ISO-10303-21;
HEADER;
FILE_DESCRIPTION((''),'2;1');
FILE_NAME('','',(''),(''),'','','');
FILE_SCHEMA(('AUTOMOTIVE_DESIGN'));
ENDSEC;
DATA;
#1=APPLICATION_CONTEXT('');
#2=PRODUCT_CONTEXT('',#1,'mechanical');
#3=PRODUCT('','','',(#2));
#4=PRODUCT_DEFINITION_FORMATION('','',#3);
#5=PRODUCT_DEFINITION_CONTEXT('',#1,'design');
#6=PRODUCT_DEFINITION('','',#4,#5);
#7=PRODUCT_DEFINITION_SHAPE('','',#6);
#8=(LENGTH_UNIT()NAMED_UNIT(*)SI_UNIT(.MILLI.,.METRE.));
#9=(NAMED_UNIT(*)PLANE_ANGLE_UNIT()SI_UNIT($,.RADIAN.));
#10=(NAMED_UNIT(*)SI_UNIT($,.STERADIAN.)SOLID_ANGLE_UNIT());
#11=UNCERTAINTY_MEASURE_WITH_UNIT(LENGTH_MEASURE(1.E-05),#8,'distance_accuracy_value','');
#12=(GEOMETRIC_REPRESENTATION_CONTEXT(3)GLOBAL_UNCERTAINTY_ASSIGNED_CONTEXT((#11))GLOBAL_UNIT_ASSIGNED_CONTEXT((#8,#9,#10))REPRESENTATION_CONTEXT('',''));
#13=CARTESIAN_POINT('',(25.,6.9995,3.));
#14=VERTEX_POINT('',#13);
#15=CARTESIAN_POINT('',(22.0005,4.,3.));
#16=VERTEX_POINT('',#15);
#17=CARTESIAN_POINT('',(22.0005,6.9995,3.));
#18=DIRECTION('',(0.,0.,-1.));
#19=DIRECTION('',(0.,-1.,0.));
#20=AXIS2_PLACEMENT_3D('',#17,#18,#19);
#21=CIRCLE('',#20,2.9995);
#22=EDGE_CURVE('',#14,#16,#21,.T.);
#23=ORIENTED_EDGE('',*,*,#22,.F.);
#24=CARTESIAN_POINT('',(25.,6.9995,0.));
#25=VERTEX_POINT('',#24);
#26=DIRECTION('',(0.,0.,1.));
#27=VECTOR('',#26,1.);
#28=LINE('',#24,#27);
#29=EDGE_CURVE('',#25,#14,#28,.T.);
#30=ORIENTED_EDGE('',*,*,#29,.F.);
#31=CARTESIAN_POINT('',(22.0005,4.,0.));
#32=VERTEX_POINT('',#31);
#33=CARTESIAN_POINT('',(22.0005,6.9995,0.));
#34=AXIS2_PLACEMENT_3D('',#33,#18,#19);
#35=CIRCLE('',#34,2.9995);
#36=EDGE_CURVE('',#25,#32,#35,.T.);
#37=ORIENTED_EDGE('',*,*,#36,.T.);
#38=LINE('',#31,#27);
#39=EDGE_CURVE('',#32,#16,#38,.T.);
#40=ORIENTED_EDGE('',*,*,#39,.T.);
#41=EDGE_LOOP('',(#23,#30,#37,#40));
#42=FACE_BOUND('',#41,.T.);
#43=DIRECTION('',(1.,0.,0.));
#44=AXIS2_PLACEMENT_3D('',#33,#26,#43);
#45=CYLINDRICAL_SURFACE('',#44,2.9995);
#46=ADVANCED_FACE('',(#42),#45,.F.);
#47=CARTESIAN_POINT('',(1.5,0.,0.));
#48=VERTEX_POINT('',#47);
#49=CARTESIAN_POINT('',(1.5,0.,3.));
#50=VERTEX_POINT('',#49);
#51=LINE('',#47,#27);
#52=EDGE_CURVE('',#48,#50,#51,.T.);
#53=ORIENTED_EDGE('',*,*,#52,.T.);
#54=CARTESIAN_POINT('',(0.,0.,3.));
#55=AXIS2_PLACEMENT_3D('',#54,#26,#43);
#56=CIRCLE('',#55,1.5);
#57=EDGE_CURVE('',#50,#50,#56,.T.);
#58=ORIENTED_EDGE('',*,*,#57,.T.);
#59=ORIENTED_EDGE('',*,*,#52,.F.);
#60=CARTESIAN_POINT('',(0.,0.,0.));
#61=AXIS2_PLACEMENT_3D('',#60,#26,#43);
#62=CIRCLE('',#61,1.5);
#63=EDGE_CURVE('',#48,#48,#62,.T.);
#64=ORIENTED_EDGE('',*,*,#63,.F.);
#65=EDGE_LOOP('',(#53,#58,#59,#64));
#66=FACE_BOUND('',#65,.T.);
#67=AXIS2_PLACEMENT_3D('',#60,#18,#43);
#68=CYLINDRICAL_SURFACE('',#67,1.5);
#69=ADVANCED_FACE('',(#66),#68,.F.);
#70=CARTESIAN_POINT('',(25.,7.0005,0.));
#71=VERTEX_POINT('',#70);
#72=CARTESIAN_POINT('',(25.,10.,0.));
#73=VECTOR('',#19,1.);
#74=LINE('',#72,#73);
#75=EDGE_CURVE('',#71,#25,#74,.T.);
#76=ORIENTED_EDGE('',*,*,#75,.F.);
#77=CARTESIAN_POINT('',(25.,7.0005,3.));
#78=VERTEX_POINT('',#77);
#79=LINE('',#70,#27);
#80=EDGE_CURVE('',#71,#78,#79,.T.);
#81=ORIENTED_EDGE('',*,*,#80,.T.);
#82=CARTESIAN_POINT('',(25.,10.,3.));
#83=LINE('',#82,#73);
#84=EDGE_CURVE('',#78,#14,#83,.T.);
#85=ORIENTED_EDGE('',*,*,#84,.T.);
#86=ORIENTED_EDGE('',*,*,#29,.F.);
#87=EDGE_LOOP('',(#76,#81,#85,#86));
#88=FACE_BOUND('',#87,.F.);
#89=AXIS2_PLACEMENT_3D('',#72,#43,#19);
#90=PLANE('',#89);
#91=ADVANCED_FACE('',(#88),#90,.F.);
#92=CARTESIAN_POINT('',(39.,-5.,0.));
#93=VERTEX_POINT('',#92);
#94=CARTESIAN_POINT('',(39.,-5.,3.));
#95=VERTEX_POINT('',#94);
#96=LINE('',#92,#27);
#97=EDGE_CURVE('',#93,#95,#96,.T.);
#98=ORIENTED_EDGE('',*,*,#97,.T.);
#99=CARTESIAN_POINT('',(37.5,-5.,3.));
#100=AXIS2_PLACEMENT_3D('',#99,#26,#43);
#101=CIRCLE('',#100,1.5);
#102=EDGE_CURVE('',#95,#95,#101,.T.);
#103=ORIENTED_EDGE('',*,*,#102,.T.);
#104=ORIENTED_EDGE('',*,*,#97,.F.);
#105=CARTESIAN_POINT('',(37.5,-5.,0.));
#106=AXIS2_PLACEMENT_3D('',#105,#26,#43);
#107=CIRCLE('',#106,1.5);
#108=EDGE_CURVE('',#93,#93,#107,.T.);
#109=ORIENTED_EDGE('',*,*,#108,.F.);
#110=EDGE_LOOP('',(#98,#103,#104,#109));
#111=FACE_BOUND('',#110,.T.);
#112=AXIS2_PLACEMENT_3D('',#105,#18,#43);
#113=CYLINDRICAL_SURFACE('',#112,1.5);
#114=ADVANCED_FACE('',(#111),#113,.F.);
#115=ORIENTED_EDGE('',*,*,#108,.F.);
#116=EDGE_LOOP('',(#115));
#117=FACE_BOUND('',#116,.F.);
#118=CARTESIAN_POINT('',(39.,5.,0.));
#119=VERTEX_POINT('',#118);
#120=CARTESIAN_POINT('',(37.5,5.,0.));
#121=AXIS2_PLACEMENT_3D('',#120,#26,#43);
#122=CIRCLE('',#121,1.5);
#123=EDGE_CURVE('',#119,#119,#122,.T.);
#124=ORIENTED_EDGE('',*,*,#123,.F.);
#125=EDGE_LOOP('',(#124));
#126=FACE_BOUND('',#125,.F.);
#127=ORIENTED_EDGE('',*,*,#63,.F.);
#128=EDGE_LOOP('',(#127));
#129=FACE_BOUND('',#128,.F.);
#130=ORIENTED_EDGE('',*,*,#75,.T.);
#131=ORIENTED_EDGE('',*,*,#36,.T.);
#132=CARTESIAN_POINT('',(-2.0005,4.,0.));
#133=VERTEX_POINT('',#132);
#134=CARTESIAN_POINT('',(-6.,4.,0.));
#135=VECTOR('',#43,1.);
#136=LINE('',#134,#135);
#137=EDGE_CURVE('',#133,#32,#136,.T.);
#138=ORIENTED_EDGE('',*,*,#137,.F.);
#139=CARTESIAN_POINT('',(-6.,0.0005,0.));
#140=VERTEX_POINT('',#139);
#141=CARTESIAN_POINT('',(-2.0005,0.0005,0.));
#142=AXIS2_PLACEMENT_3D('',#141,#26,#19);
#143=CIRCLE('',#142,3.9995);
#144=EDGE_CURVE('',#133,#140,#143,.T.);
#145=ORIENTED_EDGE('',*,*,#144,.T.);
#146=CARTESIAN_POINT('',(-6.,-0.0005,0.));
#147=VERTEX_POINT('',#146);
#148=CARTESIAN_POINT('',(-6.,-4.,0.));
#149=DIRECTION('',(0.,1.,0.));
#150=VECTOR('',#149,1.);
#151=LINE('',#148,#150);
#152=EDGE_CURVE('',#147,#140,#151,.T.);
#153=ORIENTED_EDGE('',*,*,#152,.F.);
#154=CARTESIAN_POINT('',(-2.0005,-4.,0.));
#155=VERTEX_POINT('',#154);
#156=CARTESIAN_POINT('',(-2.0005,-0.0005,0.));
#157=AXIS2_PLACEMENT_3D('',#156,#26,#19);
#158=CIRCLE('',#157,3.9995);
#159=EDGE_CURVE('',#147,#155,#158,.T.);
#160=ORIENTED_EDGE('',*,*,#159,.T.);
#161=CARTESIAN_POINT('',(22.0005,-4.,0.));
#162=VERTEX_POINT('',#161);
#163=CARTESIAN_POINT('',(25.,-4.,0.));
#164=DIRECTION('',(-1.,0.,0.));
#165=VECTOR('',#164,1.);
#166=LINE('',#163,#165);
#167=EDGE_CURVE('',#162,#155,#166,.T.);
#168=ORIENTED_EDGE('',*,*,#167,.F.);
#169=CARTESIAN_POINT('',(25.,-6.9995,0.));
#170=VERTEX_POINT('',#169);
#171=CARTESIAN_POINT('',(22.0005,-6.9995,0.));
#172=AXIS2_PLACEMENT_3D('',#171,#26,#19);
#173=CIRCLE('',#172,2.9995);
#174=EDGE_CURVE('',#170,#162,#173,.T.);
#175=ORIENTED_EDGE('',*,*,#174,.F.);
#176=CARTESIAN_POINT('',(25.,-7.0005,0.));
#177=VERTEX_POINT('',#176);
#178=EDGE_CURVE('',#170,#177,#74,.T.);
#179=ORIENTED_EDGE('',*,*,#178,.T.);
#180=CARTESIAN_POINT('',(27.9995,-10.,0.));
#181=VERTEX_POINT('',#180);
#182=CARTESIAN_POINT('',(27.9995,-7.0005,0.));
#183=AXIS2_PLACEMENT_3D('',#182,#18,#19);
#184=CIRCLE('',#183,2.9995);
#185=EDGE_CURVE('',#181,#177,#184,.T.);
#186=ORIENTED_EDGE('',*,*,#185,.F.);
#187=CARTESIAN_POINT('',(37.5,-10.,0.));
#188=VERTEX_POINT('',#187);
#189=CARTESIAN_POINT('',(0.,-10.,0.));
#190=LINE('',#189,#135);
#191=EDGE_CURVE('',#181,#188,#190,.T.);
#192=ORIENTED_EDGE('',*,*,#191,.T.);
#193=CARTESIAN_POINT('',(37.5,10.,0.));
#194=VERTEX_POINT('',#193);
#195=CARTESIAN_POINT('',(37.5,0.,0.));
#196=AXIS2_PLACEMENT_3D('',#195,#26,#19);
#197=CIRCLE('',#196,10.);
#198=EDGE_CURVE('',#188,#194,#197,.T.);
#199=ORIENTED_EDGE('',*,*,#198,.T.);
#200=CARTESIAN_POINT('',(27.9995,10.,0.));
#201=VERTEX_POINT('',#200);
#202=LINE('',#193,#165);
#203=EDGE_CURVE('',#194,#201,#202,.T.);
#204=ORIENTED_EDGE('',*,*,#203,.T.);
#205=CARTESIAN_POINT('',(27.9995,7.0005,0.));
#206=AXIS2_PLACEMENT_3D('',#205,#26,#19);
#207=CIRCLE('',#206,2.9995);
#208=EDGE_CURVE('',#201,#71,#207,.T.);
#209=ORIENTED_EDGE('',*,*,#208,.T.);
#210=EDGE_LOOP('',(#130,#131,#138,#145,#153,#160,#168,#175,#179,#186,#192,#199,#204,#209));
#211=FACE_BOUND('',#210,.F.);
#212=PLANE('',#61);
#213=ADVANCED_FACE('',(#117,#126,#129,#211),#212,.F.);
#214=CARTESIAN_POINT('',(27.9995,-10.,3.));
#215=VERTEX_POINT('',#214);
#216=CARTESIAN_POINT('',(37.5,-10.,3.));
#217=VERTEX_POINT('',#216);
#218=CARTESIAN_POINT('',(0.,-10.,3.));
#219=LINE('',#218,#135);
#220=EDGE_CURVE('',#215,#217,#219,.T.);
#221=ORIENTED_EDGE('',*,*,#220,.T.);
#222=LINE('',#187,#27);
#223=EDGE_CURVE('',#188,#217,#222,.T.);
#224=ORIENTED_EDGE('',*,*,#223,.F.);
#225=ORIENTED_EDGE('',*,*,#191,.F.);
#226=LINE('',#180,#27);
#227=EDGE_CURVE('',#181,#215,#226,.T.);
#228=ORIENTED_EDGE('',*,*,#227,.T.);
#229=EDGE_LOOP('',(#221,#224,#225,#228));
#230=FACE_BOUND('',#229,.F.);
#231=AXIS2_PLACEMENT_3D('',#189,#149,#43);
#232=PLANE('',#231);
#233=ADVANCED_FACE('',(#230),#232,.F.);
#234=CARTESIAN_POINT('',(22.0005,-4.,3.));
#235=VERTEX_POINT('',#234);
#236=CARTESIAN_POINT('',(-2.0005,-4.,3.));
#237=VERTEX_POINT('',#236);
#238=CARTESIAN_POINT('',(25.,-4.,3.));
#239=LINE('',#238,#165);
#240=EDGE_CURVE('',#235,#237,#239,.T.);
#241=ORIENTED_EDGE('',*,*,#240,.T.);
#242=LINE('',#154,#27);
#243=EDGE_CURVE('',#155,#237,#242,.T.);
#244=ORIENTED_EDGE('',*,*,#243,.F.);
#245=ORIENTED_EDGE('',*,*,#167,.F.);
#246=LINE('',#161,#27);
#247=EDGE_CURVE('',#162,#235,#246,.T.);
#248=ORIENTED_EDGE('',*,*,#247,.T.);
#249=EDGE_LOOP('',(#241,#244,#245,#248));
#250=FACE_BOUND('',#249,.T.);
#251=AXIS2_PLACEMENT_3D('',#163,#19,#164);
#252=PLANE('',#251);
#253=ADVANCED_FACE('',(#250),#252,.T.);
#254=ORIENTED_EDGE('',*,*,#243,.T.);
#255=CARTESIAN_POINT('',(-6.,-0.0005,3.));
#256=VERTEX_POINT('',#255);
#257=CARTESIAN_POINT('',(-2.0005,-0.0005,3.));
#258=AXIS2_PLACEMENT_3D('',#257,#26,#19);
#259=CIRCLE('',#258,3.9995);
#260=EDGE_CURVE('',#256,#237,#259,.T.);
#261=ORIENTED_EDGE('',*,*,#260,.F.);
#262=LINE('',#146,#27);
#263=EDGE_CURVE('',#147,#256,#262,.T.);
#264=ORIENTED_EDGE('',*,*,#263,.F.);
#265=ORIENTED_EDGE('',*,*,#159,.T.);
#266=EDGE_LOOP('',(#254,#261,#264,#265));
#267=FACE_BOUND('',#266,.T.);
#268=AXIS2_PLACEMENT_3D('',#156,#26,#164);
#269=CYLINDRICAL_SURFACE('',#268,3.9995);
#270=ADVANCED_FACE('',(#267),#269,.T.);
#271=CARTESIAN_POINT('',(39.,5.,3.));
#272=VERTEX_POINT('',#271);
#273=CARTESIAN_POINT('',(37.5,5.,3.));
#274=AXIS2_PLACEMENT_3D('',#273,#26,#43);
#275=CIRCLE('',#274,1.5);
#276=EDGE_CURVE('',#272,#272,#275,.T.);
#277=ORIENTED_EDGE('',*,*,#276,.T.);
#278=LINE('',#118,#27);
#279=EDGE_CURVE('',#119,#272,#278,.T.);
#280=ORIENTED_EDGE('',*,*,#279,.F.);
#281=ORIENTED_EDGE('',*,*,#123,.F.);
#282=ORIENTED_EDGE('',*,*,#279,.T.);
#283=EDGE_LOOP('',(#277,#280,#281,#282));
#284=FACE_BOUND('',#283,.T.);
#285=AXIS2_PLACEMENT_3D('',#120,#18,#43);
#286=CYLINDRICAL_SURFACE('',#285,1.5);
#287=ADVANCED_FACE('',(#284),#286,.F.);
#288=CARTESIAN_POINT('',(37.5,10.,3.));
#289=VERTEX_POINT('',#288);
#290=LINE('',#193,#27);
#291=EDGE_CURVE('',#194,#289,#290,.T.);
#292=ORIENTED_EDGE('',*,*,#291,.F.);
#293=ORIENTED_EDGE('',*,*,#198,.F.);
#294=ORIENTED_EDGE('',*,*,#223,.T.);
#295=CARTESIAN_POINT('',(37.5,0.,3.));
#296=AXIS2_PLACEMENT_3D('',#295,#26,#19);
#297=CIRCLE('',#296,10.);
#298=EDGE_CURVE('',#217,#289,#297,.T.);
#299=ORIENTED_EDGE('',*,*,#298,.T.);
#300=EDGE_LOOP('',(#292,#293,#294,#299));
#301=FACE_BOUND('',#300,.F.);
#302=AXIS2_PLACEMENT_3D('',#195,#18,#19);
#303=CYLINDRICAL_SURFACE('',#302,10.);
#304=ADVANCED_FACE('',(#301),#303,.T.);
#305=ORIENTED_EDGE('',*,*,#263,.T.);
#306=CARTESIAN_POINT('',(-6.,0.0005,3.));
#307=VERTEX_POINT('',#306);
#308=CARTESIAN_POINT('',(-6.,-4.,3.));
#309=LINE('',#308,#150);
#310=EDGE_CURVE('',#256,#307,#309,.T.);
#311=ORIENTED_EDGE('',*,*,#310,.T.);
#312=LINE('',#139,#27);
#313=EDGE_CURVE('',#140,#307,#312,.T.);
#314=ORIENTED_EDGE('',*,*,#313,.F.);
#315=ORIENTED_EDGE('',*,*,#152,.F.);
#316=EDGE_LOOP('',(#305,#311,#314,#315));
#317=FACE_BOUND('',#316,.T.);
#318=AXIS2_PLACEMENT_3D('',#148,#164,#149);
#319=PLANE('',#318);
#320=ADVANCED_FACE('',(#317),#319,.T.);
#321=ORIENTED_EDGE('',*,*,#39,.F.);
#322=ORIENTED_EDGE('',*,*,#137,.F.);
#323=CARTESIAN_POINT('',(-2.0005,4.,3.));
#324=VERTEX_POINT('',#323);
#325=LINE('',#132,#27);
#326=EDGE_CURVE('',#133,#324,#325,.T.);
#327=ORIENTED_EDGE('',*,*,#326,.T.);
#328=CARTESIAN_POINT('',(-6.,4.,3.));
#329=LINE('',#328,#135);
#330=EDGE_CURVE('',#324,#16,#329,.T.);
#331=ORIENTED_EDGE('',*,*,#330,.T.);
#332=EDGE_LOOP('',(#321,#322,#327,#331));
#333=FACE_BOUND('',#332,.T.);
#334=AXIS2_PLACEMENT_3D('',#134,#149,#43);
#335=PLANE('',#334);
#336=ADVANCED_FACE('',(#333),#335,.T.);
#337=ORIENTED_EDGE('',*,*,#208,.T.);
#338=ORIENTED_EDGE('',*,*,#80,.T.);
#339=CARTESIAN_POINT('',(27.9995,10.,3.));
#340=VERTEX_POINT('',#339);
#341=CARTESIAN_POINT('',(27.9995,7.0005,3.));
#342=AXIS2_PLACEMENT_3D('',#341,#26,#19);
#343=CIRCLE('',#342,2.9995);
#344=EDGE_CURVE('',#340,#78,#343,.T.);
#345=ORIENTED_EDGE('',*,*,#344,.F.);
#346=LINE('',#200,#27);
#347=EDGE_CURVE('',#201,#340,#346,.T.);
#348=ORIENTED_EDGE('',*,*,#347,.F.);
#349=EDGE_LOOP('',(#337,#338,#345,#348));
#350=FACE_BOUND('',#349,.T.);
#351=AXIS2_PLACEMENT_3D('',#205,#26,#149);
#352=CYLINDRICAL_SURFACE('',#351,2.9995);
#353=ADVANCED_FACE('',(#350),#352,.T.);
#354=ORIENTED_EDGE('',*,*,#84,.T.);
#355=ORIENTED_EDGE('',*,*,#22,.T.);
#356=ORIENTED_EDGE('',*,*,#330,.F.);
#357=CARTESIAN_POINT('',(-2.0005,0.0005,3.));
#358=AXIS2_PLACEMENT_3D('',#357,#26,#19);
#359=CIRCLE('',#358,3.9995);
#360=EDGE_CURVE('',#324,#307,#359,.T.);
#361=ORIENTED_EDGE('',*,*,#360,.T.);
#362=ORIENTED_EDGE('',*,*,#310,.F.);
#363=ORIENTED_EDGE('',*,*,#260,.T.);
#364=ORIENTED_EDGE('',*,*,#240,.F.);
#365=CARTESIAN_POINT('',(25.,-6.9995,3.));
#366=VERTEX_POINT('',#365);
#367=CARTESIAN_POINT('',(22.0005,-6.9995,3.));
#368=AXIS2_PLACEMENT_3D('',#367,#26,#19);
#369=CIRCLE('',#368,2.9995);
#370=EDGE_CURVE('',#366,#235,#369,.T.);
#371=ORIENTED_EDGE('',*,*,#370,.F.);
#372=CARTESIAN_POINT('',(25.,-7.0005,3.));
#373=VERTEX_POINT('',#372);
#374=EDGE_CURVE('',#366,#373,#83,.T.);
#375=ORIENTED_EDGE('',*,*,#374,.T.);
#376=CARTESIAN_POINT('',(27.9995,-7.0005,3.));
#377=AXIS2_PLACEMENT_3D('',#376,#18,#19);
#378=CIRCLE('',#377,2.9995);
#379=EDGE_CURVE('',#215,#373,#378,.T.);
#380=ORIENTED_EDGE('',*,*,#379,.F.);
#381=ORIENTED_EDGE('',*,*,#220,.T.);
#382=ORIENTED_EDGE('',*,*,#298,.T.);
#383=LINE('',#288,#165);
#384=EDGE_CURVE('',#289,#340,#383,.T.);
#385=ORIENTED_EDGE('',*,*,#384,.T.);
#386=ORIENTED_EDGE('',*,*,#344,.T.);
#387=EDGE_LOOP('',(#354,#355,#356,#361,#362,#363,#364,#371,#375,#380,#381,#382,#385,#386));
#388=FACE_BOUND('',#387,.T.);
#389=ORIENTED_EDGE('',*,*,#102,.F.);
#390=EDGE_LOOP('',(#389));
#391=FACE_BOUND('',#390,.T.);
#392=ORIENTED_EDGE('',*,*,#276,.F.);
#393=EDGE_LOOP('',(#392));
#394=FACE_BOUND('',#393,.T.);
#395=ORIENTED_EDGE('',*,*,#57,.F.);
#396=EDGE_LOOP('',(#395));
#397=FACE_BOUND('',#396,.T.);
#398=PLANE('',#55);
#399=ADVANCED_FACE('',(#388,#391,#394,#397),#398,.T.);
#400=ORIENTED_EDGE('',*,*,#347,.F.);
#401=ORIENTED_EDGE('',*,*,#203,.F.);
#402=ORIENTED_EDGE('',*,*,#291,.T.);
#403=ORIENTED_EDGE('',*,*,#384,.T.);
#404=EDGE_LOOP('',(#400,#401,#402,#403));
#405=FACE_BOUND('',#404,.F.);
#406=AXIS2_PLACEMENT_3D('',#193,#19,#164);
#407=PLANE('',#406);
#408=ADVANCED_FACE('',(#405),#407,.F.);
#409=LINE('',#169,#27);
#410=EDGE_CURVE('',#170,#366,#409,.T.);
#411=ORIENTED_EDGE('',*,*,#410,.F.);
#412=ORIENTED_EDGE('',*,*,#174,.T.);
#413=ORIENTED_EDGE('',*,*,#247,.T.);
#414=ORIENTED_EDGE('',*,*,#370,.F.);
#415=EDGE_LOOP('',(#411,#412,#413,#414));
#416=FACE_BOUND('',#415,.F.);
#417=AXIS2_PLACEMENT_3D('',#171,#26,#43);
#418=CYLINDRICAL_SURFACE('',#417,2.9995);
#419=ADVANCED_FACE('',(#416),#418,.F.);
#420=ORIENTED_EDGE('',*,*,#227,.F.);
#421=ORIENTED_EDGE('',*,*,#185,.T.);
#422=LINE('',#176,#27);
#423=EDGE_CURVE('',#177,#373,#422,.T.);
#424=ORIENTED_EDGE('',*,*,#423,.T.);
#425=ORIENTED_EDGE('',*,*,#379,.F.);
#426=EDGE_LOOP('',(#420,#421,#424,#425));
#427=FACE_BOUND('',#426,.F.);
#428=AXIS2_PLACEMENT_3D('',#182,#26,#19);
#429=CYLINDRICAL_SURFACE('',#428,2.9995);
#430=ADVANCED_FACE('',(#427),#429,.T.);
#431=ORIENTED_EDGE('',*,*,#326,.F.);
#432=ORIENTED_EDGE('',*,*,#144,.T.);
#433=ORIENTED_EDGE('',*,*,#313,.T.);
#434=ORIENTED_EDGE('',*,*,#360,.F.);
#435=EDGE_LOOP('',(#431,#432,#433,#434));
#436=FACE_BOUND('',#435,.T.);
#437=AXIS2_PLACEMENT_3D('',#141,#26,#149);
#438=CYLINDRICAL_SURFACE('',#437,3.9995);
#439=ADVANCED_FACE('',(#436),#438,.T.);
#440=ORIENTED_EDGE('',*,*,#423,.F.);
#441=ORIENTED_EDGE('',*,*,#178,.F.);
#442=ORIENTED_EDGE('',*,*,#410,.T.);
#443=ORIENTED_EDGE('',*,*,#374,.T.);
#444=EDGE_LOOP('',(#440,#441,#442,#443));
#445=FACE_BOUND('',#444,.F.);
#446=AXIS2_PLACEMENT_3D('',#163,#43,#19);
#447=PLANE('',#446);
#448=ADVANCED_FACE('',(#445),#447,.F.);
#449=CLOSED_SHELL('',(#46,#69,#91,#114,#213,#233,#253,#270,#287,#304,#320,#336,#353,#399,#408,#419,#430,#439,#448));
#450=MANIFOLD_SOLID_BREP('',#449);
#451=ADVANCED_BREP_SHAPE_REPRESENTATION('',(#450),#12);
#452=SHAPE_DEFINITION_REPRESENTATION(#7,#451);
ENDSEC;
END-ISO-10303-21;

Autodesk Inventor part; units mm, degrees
ref_plane "YZ Plane" through (0, 0, 0) normal (1, 0, 0) x (0, 1, 0)
ref_plane "XZ Plane" through (0, 0, 0) normal (0, 1, 0) x (-1, 0, 0)
ref_plane "XY Plane" through (0, 0, 0) normal (0, 0, 1) x (1, 0, 0)
sketch "Sketch1" plane through (0, 0, 0) normal (0, 0, 1) x (1, 0, 0)
  line L0 (0, 0) -> (37.5, 0) construction
  line L1 (0, -10) -> (37.5, -10)
  line L2 (37.5, 10) -> (0, 10)
  arc A0 (0, 10) -> (0, -10) centre (0, 0) ccw
  arc A1 (37.5, -10) -> (37.5, 10) centre (37.5, 0) ccw
  line L3 (0, 0) -> (37.5, 0) construction
  circle A2 centre (0, 0) radius 1.5
  circle A3 centre (37.5, -5) radius 1.5
  circle A4 centre (37.5, 5) radius 1.5
  point P0 (18.75, 0)
  dimension "d0" = 37.5
  dimension "d1" = 0
  dimension "d2" = 20
  dimension "d3" = 3
  dimension "d4" = 3
  dimension "d5" = 3
  dimension "d6" = 10
  dimension "d7" = 5
  dimension "d8" = 0
  dimension "d9" = 0
extrude "Extrusion1" add sketch "Sketch1" along normal blind 3
sketch "Sketch2" plane through (0, 0, 0) normal (0, 0, -1) x (-1, 0, 0)
  line L0 (6, 4) -> (-25, 4)
  line L1 (-25, 10) -> (-25, -10)
  line L2 (-25, -4) -> (6, -4)
  line L3 (6, -4) -> (6, 4)
  arc A0 (-37.5, 10) -> (-37.5, -10) centre (-37.5, 0) ccw projected
  line L4 (0, -10) -> (-37.5, -10) projected
  arc A1 (0, -10) -> (0, 10) centre (0, 0) ccw projected
  line L5 (-37.5, 10) -> (0, 10) projected
  circle A2 centre (-37.5, 5) radius 1.5 projected
  circle A3 centre (-37.5, -5) radius 1.5 projected
  circle A4 centre (0, 0) radius 1.5 projected
  dimension "d12" = 6
  dimension "d13" = 4
  dimension "d14" = 4
  dimension "d15" = 25
extrude "Extrusion2" cut sketch "Sketch2" against normal up to surface (3 mm away) contours L0 L1 L5 A1 L4 L2 L3
fillet "Fillet1" radius 3 4 edges at (25, 4, 1.5) (25, 10, 1.5) (25, -4, 1.5) (25, -10, 1.5)
fillet "Fillet2" radius 4 2 edges at (-6, 4, 1.5) (-6, -4, 1.5)
properties part number "Arm5" material "Aluminum 6061, Welded"
